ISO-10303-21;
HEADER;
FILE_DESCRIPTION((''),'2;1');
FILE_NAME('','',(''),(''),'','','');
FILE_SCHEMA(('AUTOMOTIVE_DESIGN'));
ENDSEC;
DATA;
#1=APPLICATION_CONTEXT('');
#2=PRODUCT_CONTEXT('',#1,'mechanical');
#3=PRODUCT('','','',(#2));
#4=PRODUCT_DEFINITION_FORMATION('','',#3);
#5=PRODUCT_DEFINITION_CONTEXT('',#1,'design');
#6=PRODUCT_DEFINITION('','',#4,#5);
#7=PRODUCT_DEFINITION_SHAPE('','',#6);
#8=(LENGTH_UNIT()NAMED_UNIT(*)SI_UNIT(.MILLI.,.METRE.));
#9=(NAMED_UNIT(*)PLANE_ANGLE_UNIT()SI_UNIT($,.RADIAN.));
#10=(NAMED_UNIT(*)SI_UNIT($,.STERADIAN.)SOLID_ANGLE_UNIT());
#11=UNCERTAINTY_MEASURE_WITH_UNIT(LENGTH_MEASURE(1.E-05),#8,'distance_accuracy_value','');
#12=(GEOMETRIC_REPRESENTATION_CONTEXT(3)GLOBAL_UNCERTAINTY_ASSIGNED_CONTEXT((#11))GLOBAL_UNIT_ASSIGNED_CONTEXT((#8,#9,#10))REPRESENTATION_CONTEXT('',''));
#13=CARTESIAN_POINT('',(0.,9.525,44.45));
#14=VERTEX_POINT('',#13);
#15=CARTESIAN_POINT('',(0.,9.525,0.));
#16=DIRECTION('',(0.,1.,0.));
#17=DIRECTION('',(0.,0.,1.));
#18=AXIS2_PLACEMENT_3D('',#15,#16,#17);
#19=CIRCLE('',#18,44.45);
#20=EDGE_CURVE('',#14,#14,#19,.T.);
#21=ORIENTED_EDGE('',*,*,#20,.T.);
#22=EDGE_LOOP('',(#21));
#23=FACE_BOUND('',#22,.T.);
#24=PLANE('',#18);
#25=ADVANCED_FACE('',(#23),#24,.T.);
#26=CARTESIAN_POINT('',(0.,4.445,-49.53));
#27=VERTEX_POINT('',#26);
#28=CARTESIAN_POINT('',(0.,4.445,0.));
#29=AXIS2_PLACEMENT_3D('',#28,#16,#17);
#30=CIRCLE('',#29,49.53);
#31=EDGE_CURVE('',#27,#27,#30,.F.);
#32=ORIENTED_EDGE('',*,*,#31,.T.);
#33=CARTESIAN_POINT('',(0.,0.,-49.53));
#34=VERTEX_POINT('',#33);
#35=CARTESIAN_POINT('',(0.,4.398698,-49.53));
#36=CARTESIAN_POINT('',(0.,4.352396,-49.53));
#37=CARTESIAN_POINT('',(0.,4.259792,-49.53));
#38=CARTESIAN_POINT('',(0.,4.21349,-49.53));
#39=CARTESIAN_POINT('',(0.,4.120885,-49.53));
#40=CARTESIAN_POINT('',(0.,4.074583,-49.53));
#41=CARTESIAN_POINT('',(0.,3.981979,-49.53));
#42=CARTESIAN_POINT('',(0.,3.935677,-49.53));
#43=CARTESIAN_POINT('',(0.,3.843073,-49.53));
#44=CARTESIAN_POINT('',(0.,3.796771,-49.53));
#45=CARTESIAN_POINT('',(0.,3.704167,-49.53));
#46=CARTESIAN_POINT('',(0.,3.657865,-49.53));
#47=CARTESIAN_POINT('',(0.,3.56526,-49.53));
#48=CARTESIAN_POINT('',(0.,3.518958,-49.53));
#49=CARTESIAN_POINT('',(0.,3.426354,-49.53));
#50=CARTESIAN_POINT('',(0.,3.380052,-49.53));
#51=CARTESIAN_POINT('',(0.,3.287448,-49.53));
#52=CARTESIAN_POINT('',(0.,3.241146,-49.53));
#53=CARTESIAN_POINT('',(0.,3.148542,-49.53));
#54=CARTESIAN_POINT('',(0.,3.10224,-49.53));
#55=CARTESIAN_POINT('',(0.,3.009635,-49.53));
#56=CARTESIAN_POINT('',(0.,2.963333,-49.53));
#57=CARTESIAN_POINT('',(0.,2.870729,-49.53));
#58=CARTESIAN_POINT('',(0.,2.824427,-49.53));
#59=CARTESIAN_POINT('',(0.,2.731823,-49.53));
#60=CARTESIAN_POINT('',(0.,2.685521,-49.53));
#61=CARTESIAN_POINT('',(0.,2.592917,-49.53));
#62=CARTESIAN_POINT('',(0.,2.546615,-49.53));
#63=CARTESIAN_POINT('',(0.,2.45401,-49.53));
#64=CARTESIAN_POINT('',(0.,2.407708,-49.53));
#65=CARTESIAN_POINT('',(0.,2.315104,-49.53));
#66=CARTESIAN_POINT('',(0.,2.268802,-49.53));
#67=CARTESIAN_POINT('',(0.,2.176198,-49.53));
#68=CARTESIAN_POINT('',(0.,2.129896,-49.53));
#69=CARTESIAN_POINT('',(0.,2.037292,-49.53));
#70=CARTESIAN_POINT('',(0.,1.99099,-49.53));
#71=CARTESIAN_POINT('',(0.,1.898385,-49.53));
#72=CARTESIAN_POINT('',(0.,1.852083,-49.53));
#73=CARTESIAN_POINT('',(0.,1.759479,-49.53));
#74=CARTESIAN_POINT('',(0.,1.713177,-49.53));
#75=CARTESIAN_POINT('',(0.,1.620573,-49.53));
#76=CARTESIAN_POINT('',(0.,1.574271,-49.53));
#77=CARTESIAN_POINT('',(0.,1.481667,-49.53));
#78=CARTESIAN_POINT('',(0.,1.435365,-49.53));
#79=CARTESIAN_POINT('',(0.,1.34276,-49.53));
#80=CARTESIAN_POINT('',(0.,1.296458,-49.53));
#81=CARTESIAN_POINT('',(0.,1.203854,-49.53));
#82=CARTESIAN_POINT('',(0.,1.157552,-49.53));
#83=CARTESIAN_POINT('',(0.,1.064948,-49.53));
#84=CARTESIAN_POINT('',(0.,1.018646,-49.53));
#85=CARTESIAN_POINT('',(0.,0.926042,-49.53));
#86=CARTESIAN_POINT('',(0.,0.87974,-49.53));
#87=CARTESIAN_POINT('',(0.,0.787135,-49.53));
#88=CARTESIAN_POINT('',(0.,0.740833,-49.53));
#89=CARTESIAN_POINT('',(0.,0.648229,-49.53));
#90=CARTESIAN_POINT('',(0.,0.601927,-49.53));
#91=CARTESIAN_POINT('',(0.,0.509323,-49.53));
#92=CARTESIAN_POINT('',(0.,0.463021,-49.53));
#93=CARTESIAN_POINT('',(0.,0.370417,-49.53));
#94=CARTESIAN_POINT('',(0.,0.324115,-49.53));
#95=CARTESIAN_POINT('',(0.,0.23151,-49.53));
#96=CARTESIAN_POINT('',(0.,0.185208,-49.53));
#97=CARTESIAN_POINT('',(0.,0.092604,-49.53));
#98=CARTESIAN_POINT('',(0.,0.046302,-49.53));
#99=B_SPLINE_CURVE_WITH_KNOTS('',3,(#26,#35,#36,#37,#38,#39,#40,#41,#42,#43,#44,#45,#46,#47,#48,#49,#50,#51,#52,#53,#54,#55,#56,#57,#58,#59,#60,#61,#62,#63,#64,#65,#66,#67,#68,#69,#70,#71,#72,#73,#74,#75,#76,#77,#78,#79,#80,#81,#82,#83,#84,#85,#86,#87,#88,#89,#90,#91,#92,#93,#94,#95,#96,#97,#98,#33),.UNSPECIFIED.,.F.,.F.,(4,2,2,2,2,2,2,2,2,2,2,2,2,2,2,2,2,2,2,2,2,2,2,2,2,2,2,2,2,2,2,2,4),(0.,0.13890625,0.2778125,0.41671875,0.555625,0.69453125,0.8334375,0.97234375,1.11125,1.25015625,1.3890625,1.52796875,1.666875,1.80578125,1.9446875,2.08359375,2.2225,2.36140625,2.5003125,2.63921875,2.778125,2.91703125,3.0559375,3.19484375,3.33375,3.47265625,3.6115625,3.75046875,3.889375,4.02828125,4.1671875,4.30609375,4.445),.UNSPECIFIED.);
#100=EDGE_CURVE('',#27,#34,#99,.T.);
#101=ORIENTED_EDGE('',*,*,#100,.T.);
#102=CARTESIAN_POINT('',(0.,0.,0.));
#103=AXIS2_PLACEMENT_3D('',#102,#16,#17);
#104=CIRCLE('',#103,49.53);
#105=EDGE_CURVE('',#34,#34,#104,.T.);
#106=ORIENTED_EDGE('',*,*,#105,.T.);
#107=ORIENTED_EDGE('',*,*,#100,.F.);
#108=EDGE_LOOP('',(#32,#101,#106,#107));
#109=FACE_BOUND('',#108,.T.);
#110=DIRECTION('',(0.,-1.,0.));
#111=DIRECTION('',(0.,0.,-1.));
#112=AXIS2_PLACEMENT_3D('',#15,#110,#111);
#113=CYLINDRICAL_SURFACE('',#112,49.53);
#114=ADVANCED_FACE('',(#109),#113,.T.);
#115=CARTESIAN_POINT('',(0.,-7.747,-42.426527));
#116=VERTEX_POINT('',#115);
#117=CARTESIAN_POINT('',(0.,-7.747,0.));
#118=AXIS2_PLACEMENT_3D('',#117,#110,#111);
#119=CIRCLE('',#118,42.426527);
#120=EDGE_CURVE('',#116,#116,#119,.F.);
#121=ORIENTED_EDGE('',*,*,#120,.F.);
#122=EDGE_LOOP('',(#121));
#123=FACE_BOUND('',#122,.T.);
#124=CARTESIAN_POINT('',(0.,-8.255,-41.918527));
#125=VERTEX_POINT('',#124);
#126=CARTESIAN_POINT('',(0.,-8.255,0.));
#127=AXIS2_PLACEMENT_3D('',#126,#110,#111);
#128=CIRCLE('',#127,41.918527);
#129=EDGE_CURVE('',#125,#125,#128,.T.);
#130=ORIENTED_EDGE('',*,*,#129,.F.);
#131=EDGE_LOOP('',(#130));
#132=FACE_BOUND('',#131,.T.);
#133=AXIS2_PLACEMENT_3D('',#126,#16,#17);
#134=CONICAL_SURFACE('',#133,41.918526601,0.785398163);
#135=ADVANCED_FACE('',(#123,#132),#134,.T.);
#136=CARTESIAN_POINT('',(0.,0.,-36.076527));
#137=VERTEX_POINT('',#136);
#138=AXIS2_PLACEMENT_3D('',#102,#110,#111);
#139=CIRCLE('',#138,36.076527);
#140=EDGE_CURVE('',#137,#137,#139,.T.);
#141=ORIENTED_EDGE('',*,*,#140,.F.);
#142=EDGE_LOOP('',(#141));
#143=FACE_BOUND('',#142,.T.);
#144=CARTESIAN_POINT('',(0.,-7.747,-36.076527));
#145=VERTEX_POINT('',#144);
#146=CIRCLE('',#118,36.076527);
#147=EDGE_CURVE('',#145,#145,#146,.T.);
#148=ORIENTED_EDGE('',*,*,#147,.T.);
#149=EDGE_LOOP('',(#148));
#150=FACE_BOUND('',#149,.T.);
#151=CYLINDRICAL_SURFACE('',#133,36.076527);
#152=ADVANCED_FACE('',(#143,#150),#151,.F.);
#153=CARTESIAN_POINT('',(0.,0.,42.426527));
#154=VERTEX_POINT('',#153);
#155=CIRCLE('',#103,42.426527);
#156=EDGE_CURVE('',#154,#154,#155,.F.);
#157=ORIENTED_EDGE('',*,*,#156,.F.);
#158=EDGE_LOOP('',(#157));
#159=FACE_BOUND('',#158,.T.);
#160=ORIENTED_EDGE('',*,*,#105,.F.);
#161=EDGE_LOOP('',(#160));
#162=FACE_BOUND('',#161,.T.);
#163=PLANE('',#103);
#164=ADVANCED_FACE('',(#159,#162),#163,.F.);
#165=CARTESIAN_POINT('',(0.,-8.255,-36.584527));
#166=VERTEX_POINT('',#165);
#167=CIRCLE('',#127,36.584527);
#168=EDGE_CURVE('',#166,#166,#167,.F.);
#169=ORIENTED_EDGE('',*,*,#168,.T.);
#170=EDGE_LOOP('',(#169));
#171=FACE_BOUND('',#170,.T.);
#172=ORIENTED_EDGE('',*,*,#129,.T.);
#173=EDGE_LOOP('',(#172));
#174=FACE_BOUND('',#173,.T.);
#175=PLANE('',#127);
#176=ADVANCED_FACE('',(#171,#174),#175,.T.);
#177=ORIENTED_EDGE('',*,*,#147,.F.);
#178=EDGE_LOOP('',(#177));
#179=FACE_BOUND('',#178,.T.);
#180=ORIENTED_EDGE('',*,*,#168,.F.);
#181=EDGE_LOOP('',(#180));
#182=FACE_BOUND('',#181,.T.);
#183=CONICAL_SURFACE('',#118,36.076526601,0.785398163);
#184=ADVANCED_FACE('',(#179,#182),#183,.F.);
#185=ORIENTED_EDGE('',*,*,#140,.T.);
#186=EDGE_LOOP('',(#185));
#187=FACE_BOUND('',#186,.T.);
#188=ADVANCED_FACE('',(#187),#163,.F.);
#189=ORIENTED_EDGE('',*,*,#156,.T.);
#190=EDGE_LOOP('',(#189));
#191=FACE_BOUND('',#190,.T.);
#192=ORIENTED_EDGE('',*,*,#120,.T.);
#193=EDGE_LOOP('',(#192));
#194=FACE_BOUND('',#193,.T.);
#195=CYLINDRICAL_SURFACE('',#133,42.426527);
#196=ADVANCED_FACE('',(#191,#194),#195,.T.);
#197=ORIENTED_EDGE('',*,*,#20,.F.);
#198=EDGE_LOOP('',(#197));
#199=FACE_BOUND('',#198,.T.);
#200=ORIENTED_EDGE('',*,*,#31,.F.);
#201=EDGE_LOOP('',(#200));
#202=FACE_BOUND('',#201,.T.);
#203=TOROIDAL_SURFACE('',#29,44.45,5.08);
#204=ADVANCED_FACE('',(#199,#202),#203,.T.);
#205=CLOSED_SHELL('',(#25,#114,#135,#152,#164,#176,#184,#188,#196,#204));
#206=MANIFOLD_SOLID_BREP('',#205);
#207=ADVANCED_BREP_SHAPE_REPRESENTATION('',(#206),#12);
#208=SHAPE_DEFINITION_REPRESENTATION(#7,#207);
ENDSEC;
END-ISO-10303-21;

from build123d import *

# Parameters (mm, degrees)
SKETCH1_R     = 49.53
BODY_DEPTH    = 9.525
SKETCH2_R     = 42.426526601
SKETCH2_R_2   = 36.076526601
FLANGE_DEPTH  = 8.255
FILLET1_R     = 5.08
CHAMFER1_SIZE = 0.508


with BuildPart() as part:
    # Sketch1 → body (new body)
    with BuildSketch(Plane(origin=(0, 0, 0), x_dir=(1, 0, 0), z_dir=(0, 1, 0))):
        with Locations(Location((0, 0, 0), (0, 0, 90))):
            Circle(SKETCH1_R)
    extrude(amount=BODY_DEPTH)

    # Sketch2 → flange (add)
    with BuildSketch(Plane.XZ):
        with Locations(Location((0, 0, 0), (0, 0, 90))):
            Circle(SKETCH2_R)
        with Locations(Location((0, 0, 0), (0, 0, 270))):
            Circle(SKETCH2_R_2, mode=Mode.SUBTRACT)
    extrude(amount=FLANGE_DEPTH)

    # Fillet1
    fillet1_edges = [part.edges().sort_by_distance(p)[0] for p in [
        (0, 9.525, 49.53),
    ]]
    fillet(fillet1_edges, radius=FILLET1_R)

    # Chamfer1
    chamfer1_edges = [part.edges().sort_by_distance(p)[0] for p in [
        (0, -8.255, -42.426526601),
        (0, -8.255, 36.076526601),
    ]]
    chamfer(chamfer1_edges, length=CHAMFER1_SIZE)


solid = part.part
